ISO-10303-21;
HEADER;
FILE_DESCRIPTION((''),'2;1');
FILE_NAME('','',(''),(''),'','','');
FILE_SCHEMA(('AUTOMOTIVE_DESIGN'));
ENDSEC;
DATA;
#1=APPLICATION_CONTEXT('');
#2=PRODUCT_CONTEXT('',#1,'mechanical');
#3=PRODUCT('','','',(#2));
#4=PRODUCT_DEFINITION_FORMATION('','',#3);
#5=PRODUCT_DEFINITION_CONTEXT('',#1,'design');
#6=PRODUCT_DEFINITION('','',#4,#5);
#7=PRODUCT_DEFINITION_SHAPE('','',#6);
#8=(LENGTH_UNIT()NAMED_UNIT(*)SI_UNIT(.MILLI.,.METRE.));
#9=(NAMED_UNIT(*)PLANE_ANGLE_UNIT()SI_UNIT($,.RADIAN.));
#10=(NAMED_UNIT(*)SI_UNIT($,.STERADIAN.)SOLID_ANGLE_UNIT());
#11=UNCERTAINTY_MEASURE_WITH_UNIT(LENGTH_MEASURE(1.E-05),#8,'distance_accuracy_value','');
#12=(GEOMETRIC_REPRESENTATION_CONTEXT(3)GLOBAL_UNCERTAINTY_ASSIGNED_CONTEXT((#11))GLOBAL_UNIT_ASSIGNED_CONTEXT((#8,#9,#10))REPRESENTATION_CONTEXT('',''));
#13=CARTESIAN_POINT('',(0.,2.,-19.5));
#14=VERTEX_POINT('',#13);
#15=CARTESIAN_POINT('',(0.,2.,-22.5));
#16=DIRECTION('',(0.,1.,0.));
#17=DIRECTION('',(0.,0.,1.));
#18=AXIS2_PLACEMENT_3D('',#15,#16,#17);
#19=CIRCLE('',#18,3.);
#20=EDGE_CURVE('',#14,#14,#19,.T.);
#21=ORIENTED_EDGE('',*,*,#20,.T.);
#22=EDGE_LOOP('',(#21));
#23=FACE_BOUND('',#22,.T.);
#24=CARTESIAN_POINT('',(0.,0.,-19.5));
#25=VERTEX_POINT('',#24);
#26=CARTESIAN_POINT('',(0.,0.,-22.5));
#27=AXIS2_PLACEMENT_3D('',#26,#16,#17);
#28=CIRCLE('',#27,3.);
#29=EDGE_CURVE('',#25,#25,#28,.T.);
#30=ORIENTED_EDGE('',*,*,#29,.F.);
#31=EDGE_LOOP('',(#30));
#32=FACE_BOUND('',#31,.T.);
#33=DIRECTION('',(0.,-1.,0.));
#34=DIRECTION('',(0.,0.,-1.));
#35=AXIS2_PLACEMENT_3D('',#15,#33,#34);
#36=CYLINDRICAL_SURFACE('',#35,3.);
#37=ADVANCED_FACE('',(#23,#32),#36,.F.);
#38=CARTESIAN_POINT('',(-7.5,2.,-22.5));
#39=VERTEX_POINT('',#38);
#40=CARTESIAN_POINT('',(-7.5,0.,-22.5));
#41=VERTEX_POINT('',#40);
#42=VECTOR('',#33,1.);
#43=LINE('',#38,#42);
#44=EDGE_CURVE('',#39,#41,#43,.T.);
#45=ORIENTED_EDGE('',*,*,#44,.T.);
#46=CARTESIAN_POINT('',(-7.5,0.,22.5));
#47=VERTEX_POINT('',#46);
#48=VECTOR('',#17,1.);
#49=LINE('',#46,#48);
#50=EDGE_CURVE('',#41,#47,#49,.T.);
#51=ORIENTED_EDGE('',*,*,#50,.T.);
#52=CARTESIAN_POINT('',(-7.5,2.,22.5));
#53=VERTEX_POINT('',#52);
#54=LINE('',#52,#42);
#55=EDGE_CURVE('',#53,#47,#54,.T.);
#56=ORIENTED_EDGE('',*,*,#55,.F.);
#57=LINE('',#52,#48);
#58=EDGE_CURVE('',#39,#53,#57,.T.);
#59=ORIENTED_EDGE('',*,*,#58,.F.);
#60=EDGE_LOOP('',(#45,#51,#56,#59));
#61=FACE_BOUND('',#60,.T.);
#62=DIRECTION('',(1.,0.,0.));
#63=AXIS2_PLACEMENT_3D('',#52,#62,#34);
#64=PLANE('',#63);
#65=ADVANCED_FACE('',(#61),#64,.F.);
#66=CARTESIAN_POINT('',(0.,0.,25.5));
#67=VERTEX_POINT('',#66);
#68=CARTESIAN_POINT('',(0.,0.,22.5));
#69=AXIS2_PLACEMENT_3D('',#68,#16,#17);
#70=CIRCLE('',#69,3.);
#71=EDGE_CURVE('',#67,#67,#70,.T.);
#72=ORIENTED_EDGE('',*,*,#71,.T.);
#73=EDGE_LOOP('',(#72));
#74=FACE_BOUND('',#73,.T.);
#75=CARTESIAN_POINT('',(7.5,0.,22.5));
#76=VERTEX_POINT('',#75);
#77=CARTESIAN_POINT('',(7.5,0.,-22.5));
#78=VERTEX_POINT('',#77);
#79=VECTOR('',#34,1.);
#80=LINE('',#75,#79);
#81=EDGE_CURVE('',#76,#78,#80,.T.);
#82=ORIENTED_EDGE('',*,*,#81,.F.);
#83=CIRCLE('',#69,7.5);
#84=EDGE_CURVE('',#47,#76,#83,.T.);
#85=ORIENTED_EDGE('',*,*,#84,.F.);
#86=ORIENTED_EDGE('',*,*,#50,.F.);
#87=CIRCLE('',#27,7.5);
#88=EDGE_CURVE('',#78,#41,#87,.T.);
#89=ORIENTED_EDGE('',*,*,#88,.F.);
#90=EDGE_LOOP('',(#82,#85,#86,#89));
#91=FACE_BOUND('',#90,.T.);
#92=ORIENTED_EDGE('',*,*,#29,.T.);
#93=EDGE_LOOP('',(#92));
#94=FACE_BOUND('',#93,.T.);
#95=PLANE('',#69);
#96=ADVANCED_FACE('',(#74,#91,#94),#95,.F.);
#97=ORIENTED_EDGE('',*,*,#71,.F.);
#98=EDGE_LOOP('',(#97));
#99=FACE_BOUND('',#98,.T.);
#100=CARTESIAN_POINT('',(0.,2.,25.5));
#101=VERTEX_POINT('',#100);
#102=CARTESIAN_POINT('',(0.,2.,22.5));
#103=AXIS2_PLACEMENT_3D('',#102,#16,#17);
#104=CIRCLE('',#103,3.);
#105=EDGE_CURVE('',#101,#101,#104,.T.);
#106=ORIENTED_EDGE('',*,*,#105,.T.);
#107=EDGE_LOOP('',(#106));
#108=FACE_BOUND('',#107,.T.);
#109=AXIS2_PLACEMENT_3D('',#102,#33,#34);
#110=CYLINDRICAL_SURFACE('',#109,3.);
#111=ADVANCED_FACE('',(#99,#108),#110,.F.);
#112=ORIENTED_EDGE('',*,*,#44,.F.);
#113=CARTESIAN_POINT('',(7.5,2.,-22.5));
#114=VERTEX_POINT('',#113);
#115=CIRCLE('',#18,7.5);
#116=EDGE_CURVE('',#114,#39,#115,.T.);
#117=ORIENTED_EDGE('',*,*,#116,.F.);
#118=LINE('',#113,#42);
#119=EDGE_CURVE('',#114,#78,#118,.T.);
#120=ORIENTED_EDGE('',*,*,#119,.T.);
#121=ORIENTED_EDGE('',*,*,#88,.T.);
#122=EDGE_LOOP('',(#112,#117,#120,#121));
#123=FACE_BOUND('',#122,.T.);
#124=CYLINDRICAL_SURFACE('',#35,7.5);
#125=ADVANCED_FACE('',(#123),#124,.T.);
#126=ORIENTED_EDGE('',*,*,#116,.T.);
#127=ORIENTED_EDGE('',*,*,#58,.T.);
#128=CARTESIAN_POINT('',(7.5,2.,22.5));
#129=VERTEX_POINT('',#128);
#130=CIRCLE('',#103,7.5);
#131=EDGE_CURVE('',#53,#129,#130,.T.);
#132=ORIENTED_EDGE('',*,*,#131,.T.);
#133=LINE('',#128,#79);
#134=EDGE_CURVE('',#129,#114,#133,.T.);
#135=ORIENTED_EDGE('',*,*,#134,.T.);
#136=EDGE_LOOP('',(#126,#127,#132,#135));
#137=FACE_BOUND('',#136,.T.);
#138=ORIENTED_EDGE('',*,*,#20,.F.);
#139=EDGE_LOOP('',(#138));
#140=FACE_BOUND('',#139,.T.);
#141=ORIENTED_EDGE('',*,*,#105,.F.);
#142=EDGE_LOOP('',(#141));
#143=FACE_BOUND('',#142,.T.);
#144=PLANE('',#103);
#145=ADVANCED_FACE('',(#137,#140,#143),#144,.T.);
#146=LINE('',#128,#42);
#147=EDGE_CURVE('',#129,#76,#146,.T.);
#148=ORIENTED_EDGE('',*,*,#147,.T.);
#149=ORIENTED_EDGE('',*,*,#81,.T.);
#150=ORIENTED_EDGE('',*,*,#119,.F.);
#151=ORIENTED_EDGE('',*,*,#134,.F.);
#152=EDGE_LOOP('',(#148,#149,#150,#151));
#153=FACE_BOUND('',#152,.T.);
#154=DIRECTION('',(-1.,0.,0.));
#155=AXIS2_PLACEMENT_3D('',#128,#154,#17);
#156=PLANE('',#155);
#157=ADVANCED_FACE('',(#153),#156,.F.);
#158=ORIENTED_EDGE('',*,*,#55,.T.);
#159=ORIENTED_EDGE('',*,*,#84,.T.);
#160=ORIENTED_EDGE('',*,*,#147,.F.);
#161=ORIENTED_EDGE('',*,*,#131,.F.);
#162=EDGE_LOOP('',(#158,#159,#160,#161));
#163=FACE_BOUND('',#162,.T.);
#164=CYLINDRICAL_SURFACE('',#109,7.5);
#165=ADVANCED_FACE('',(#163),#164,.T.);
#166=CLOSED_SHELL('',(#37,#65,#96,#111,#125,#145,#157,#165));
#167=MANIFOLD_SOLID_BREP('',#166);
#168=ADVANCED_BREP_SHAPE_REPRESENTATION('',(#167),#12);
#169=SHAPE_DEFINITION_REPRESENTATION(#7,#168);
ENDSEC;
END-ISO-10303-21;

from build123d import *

# Parameters (mm, degrees)
CROQUIS1_R              = 3
SALIENTE_EXTRUIR1_DEPTH = 2


with BuildPart() as part:
    # Croquis1 → Saliente-Extruir1 (new body)
    with BuildSketch(Plane(origin=(0, 0, 0), x_dir=(1, 0, 0), z_dir=(0, 1, 0))):
        with BuildLine():
            Line((-7.5, -22.5), (-7.5, 22.5))
            ThreePointArc((-7.5, 22.5), (0, 30), (7.5, 22.5))
            Line((7.5, 22.5), (7.5, -22.5))
            ThreePointArc((7.5, -22.5), (0, -30), (-7.5, -22.5))
        make_face()
        with Locations(Location((0, 22.5, 0), (0, 0, 270))):
            Circle(CROQUIS1_R, mode=Mode.SUBTRACT)
        with Locations(Location((0, -22.5, 0), (0, 0, 270))):
            Circle(CROQUIS1_R, mode=Mode.SUBTRACT)
    extrude(amount=SALIENTE_EXTRUIR1_DEPTH)


solid = part.part
